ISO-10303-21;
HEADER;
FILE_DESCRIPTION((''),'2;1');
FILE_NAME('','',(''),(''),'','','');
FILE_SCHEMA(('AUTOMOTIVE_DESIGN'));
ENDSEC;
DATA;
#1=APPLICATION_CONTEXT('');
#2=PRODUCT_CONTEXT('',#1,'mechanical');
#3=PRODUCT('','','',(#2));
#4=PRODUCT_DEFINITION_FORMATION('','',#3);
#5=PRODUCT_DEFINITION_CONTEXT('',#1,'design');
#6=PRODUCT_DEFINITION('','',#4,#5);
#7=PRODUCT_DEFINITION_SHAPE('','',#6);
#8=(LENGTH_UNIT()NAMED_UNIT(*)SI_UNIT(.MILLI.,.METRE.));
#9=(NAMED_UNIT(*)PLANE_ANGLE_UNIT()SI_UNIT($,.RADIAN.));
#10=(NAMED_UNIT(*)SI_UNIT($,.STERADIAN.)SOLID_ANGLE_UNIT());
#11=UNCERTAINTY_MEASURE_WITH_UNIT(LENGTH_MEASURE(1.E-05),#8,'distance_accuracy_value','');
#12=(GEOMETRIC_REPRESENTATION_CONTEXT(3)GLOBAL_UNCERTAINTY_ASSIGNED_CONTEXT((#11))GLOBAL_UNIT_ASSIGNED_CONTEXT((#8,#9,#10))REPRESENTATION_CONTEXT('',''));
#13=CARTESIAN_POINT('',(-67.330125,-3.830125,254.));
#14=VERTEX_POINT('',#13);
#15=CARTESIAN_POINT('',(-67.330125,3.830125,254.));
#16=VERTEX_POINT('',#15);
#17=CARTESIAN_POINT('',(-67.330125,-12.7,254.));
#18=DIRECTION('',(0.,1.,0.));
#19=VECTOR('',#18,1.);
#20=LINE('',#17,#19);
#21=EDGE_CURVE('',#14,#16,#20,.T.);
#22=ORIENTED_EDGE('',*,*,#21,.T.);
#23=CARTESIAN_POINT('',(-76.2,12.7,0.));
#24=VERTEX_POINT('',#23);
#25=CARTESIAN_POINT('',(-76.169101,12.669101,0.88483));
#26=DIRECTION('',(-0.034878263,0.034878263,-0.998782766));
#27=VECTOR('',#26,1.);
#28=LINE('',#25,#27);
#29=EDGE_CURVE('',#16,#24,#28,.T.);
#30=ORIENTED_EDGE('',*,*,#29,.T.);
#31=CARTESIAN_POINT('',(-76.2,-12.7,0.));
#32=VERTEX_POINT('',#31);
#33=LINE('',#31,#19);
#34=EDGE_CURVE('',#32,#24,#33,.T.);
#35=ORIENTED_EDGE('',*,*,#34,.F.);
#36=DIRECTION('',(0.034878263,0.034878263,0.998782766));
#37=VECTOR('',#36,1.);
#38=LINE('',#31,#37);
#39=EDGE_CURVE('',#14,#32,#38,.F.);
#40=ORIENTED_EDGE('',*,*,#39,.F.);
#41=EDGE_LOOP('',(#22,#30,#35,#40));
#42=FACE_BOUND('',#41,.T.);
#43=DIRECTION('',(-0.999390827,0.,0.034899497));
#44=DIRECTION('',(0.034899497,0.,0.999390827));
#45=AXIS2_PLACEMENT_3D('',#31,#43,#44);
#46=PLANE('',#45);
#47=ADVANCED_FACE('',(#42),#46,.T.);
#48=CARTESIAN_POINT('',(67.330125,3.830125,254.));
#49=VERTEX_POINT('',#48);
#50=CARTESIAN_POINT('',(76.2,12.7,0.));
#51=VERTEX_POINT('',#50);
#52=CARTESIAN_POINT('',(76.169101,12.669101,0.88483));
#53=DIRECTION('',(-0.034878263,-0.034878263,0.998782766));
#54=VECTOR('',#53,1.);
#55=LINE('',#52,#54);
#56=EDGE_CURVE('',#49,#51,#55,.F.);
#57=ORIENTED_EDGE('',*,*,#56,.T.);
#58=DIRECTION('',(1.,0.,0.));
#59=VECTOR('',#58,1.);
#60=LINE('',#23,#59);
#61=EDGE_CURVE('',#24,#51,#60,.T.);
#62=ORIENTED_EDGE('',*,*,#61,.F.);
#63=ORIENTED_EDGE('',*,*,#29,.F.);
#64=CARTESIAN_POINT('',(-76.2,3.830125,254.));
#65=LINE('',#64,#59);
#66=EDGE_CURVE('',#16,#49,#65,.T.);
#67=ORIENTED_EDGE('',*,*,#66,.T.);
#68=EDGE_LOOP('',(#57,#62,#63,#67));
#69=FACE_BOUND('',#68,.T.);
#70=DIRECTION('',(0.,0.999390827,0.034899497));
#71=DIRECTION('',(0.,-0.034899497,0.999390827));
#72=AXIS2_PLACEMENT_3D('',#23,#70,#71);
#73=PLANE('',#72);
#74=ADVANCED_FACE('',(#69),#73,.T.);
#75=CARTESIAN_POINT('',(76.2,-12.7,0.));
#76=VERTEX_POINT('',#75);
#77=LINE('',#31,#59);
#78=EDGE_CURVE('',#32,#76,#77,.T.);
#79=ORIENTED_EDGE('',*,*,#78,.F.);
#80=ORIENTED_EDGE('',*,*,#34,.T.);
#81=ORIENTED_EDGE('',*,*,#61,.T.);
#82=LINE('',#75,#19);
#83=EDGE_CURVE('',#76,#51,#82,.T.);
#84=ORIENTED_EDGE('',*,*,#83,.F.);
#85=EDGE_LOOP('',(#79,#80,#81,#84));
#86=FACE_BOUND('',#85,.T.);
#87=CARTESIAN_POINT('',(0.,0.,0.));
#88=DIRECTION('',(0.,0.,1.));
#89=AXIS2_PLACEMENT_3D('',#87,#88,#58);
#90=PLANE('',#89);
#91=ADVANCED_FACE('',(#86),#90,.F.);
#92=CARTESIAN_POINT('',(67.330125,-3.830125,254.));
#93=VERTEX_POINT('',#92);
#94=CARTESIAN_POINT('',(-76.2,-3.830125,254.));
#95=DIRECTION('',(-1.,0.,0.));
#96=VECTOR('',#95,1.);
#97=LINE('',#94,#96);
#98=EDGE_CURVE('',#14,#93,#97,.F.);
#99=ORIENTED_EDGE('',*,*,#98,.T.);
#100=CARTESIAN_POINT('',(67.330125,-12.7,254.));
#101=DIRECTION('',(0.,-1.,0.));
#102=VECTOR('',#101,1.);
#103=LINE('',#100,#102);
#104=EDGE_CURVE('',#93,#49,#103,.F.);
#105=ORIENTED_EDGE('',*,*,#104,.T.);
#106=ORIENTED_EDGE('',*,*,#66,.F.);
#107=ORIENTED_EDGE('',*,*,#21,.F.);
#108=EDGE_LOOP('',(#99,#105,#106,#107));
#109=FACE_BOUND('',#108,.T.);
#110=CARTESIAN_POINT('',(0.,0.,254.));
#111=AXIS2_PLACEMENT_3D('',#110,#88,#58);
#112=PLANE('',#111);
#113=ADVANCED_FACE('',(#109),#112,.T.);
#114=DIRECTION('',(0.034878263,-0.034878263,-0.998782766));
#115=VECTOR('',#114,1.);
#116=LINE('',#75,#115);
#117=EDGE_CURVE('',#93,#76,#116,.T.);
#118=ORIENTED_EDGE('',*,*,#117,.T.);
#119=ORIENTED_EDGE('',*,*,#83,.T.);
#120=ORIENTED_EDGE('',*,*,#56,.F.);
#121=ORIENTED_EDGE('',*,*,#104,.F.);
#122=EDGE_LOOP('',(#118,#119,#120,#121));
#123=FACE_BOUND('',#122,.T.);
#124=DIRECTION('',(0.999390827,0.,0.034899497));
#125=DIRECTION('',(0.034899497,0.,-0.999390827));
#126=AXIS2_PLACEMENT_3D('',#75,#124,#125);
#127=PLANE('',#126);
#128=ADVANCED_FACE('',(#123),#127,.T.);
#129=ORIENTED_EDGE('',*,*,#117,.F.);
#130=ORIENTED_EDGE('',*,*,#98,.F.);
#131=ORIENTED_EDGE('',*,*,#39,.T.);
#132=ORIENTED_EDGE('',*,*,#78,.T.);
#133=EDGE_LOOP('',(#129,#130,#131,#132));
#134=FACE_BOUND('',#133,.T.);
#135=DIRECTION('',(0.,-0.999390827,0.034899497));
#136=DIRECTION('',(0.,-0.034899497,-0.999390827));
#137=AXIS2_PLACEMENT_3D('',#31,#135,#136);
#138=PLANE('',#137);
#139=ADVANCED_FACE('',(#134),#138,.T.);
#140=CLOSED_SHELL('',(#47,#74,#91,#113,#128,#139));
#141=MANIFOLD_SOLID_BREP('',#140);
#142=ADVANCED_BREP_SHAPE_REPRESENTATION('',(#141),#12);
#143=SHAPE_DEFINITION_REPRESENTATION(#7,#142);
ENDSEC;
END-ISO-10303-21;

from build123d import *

# Parameters (mm, degrees)
SKETCH1_W           = 152.4
SKETCH1_H           = 25.4
BOSS_EXTRUDE1_DEPTH = 254
BOSS_EXTRUDE1_TAPER = 2


with BuildPart() as part:
    # Sketch1 → Boss-Extrude1 (new body)
    with BuildSketch(Plane.XY):
        Rectangle(SKETCH1_W, SKETCH1_H)
    extrude(amount=BOSS_EXTRUDE1_DEPTH, taper=BOSS_EXTRUDE1_TAPER)


solid = part.part
